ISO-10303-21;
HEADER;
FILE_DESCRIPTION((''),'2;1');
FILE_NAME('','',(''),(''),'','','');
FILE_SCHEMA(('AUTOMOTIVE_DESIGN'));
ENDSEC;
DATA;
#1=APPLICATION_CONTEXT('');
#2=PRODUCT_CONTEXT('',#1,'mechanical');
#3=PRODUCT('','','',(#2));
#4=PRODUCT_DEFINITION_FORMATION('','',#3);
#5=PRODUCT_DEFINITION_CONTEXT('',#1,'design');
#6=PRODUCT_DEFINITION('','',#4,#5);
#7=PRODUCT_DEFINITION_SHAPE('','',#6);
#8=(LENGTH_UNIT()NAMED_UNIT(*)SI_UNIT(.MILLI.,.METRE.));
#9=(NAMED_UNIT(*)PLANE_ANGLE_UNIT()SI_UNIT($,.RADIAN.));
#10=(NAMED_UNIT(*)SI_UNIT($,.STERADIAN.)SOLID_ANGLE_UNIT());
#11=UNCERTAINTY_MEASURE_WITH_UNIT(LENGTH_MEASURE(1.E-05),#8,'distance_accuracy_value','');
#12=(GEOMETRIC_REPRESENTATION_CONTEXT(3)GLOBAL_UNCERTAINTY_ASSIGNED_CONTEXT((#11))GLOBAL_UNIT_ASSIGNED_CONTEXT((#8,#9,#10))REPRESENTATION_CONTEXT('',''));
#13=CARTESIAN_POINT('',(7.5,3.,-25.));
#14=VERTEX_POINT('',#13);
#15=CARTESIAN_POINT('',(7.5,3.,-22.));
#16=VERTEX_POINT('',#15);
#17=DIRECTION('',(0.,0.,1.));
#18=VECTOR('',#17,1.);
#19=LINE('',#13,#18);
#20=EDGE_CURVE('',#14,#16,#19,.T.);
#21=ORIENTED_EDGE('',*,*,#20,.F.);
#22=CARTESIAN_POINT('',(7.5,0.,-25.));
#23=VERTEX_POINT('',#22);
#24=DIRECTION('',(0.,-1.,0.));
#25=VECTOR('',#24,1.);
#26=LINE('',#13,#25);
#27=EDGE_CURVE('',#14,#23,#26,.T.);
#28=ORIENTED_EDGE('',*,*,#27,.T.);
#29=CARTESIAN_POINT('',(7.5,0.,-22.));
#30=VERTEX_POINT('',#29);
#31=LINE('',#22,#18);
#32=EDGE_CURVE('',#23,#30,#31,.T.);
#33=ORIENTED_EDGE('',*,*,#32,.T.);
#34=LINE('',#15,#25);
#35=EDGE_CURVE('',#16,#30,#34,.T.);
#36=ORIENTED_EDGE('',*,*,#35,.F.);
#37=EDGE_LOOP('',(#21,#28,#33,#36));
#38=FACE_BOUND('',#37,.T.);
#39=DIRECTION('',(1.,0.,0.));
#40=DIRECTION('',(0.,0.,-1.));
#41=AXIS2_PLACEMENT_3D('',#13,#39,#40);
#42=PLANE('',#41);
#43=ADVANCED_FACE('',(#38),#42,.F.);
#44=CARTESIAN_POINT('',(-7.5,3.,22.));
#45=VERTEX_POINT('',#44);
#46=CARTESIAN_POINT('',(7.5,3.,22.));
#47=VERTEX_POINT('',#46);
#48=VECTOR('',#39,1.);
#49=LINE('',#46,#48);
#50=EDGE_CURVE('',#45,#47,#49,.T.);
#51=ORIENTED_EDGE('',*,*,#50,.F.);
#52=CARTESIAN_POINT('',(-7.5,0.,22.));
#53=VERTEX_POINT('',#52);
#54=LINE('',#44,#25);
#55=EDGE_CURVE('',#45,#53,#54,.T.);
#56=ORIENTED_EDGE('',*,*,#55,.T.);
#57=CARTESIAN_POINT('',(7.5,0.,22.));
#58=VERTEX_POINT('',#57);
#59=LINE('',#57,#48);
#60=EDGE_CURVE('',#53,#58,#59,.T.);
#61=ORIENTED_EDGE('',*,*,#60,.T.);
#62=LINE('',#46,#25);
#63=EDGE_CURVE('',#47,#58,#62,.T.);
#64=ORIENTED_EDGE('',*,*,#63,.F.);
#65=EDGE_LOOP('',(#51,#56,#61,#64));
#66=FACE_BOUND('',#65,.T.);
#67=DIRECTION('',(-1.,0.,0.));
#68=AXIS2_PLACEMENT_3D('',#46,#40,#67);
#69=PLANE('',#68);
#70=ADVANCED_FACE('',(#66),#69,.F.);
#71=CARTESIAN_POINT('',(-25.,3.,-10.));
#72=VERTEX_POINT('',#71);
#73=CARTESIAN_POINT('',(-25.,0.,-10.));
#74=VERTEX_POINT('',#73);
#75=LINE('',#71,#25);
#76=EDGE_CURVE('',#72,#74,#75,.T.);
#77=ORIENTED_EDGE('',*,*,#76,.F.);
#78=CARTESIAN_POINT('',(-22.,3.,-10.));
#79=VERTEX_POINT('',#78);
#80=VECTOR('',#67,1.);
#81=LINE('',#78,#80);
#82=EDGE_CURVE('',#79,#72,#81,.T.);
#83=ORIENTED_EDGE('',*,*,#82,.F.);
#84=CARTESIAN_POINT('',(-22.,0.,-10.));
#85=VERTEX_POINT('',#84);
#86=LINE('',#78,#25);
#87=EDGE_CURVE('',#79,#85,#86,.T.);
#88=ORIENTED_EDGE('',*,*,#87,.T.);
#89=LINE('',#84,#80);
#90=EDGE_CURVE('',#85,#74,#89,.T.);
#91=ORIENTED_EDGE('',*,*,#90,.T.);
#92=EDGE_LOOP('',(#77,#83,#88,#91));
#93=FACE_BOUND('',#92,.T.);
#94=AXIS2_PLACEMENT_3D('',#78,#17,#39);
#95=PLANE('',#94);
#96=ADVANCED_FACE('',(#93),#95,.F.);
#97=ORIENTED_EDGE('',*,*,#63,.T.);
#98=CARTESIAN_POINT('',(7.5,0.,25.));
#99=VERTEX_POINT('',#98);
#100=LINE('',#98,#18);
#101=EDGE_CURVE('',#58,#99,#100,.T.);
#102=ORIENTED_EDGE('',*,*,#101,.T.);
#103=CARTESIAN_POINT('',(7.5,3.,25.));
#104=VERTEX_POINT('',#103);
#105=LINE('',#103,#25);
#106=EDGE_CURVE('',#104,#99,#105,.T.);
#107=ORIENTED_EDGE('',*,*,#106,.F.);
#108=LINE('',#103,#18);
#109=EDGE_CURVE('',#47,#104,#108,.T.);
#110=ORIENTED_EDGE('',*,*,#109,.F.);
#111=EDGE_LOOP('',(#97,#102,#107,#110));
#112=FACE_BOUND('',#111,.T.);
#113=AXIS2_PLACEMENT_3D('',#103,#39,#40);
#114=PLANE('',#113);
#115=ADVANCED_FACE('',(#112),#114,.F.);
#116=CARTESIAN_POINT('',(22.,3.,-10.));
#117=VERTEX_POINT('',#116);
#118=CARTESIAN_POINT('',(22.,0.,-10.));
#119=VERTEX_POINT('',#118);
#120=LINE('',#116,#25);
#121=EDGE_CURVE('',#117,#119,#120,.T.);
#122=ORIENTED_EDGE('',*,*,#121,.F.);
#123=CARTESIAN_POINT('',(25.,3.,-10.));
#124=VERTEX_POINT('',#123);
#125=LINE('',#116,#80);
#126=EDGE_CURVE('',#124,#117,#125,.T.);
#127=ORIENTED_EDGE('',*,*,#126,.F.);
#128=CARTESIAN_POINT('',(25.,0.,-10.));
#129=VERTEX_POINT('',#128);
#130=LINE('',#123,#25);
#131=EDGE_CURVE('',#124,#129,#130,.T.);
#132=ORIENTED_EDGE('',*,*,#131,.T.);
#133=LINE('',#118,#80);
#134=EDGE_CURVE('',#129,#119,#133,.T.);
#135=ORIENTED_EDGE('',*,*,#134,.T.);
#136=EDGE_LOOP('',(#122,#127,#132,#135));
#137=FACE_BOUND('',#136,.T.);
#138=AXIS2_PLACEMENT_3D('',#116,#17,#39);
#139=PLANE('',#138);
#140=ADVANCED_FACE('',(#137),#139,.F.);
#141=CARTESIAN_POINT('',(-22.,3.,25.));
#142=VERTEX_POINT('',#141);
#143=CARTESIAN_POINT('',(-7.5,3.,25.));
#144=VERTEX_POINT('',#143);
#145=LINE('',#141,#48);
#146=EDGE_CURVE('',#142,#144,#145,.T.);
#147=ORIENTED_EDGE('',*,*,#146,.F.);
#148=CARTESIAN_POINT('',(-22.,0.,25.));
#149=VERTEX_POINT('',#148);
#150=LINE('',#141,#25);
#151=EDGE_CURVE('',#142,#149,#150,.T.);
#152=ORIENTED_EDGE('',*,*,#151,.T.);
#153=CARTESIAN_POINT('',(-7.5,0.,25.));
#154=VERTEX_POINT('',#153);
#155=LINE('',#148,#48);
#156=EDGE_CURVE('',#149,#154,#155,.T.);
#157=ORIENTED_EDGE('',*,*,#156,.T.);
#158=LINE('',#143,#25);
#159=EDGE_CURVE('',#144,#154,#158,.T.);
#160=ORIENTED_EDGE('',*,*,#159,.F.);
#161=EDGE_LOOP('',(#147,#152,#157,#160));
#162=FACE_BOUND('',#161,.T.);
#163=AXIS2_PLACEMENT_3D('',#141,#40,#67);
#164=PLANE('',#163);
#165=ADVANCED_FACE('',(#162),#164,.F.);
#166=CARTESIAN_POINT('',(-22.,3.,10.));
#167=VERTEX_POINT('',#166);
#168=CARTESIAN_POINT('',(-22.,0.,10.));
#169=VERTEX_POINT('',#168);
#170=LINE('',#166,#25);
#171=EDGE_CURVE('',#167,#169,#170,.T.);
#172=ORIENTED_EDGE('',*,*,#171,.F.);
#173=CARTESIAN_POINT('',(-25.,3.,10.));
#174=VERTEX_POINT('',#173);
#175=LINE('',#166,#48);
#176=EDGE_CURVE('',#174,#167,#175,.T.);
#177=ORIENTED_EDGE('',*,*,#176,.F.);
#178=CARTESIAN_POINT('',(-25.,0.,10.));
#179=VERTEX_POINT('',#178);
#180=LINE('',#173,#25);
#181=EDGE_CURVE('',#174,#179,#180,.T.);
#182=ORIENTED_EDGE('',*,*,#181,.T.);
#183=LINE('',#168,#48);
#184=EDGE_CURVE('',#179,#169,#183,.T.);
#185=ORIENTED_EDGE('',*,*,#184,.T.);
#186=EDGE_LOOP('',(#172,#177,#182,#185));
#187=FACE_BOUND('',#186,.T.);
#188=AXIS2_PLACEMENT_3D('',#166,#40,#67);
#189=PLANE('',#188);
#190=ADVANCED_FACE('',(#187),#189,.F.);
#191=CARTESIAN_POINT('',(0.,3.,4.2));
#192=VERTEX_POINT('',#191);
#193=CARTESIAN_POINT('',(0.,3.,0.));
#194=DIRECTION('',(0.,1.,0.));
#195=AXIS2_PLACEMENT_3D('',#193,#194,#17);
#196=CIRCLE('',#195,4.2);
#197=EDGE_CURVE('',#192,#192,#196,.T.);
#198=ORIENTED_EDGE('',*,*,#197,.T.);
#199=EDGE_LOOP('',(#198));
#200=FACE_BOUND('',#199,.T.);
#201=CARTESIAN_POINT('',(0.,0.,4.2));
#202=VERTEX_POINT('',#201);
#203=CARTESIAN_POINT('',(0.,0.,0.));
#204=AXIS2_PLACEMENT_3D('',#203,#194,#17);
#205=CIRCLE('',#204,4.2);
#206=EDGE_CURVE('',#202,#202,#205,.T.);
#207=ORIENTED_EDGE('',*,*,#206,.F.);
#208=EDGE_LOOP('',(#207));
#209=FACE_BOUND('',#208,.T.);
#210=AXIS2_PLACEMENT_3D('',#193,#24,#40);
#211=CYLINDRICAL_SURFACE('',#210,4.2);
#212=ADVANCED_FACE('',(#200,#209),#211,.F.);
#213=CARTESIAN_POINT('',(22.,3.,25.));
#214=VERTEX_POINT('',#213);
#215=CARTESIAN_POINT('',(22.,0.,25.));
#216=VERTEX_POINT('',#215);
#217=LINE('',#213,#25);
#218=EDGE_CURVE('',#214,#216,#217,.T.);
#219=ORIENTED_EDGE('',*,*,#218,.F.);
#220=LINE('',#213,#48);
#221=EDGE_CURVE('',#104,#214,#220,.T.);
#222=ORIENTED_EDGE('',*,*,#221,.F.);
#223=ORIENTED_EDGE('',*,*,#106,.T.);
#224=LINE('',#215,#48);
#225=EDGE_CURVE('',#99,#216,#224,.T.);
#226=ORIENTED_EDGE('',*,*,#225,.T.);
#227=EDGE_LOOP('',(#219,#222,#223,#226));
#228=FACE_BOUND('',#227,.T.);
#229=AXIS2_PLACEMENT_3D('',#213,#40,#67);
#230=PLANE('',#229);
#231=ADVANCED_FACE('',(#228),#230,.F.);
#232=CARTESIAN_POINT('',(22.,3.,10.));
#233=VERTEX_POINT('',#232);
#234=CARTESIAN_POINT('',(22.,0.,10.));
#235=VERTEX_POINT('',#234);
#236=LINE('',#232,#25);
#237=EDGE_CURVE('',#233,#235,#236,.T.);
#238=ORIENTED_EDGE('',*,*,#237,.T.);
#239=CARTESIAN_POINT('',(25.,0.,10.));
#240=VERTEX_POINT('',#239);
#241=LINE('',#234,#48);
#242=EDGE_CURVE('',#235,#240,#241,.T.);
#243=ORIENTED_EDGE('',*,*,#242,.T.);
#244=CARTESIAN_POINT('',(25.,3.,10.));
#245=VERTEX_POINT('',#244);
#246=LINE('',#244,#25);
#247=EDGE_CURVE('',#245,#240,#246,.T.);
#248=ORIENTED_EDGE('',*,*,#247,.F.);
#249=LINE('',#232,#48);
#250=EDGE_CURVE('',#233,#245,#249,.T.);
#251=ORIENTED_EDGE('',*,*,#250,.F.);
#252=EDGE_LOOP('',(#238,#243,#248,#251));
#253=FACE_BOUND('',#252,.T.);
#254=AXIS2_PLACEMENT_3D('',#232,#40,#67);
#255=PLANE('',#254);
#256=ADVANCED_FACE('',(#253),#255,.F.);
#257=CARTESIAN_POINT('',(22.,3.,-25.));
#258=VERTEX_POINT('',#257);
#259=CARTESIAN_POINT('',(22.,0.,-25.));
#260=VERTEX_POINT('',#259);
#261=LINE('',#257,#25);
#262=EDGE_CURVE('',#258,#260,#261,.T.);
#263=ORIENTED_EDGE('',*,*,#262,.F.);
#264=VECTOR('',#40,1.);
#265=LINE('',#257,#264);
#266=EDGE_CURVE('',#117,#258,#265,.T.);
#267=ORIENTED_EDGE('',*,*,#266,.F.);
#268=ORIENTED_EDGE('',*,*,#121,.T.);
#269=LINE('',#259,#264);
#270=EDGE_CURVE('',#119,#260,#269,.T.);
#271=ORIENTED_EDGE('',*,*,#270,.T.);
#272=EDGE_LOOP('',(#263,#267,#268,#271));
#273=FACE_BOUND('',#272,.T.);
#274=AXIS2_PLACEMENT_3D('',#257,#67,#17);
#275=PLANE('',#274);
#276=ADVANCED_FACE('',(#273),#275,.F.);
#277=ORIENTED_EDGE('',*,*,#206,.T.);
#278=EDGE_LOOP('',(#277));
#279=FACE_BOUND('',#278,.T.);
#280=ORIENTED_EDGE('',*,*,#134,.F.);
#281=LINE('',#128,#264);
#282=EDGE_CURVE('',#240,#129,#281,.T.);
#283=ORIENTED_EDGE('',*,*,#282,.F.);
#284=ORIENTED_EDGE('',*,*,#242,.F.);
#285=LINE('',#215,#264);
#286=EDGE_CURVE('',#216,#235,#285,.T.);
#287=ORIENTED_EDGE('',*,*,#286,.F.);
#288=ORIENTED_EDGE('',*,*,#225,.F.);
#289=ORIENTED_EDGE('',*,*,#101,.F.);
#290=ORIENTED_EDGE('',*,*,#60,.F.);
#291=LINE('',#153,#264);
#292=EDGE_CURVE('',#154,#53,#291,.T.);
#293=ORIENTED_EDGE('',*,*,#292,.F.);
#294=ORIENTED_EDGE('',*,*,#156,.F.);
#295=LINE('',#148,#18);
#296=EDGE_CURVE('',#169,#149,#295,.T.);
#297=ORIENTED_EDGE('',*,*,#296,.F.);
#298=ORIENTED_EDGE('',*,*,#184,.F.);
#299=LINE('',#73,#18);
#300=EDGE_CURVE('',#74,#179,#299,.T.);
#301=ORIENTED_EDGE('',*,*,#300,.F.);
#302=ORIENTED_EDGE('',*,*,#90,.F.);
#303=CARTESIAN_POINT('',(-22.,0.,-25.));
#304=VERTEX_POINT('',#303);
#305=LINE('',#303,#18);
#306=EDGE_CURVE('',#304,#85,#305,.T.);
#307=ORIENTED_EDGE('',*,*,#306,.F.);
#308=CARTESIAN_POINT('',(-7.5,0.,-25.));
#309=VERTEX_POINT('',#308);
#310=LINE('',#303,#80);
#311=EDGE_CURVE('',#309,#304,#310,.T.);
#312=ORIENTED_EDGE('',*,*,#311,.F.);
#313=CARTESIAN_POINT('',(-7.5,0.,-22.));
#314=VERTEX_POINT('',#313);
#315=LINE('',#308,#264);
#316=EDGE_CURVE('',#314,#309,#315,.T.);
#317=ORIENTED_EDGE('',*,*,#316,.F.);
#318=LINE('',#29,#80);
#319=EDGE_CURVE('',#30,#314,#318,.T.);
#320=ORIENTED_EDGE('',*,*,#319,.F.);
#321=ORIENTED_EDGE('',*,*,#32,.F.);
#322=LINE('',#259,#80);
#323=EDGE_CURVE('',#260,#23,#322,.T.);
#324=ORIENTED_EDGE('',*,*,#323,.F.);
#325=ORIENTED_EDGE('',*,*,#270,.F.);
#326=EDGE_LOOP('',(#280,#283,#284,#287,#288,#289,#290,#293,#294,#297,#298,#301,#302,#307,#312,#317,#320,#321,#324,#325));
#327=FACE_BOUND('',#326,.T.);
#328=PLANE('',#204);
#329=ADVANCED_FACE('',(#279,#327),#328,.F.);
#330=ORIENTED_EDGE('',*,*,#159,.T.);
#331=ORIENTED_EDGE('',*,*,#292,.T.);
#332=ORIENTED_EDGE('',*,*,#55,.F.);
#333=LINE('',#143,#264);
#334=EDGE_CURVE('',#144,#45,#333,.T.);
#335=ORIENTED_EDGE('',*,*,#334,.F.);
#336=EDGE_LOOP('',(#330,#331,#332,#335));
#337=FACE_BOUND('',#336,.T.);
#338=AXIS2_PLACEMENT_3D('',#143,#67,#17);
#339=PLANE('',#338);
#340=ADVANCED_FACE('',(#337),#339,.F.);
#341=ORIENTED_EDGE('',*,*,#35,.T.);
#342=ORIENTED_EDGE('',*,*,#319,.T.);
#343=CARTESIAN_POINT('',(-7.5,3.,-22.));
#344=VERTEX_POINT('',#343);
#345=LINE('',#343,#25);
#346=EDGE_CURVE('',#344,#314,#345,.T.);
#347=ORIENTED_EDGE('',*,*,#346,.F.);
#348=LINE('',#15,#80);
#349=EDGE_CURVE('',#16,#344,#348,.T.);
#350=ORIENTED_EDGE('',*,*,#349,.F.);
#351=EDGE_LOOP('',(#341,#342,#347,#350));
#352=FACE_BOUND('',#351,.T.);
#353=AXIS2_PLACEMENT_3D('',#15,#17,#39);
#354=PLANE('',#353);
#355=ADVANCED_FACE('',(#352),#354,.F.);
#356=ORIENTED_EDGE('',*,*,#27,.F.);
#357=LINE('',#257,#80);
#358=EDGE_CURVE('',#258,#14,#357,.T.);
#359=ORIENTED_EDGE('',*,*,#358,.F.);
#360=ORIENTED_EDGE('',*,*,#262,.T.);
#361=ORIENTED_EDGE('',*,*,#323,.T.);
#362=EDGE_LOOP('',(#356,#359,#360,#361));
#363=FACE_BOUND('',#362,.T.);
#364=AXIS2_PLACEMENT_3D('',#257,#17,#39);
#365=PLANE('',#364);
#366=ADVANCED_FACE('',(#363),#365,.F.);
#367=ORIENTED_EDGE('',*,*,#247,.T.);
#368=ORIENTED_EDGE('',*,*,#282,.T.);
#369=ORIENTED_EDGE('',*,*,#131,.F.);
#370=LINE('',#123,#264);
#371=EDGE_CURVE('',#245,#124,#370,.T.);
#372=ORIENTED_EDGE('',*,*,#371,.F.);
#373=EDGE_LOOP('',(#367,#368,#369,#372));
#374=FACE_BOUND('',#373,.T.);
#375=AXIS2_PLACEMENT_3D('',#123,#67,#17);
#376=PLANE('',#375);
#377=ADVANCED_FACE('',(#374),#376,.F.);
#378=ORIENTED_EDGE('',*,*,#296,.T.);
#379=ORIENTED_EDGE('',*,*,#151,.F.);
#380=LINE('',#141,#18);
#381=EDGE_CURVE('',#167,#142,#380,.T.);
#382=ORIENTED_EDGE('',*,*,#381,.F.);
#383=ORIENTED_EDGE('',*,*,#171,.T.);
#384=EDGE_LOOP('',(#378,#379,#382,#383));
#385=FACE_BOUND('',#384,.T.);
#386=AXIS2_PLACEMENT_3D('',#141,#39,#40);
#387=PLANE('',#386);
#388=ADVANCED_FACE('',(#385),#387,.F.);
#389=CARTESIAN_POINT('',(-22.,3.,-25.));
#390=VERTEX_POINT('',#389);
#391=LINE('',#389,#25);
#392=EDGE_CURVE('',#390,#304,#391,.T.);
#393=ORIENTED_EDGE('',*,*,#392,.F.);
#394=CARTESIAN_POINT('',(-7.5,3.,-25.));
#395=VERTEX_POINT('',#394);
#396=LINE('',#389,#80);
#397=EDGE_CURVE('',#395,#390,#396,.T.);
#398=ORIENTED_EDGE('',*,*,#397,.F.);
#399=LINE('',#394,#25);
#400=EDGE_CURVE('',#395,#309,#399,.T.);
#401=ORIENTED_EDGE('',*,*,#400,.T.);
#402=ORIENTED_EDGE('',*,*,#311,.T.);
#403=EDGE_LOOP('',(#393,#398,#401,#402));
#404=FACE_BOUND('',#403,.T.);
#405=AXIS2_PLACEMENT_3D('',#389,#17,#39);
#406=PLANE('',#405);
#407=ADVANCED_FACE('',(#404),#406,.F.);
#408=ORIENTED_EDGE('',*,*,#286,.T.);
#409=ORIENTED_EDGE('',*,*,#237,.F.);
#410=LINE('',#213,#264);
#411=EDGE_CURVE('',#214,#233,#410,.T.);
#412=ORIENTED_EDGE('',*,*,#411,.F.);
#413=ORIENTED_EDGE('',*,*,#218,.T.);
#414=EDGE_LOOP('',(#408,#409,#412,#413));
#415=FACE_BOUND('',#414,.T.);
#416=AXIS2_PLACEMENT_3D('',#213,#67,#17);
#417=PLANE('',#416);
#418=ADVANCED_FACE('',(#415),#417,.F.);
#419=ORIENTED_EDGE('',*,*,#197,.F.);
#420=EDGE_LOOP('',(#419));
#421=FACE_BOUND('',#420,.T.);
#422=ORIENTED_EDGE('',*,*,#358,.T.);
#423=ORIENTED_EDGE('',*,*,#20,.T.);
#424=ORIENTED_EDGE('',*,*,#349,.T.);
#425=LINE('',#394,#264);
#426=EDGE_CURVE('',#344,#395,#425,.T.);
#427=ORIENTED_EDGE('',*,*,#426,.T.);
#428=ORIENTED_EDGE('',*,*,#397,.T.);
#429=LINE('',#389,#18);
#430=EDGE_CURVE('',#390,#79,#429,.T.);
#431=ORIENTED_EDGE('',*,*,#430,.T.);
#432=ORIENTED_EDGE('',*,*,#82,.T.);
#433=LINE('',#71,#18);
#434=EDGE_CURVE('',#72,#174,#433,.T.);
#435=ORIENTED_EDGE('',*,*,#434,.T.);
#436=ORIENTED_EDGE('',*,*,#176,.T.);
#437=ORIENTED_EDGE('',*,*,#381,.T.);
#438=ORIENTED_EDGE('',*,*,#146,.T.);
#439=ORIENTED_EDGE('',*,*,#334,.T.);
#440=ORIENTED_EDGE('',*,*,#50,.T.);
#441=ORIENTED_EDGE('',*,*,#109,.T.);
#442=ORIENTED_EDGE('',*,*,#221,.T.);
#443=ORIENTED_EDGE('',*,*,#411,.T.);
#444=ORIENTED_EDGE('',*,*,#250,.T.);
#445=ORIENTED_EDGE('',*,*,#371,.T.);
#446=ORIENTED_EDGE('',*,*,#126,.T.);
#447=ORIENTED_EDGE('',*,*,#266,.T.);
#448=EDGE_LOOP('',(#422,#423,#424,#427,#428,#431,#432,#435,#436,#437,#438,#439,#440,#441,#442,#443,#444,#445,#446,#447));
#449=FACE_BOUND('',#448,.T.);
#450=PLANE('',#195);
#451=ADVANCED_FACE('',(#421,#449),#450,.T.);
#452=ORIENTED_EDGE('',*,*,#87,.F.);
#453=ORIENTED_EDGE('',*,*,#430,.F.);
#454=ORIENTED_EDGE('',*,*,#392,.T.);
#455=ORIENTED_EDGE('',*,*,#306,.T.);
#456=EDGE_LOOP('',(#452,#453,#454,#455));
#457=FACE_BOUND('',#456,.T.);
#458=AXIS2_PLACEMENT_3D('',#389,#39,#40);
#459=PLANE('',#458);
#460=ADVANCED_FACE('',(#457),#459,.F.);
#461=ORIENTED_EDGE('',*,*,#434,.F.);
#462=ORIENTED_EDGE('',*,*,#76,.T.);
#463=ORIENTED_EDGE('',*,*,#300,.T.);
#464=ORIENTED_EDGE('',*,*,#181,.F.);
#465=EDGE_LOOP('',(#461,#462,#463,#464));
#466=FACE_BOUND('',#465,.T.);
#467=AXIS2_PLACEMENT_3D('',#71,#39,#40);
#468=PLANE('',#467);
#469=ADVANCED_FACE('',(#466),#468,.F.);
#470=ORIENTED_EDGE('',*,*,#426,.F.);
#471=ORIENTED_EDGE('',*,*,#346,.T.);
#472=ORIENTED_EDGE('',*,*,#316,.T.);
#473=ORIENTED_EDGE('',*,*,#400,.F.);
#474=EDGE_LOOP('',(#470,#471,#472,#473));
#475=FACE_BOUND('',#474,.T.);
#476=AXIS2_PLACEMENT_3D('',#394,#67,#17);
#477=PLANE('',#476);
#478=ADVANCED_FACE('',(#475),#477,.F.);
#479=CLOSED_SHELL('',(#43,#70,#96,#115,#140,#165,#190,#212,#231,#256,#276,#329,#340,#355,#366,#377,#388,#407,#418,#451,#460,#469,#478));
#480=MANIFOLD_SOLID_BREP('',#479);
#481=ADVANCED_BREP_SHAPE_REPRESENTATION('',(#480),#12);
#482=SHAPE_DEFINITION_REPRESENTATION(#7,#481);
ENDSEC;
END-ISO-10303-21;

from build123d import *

# Parameters (mm, degrees)
SKETCH_1_R      = 4.2
EXTRUDE_1_DEPTH = 3


with BuildPart() as part:
    # 草图1 → 凸台-拉伸1 (new body)
    with BuildSketch(Plane(origin=(0, 0, 0), x_dir=(1, 0, 0), z_dir=(0, 1, 0))):
        Polygon((22, 25), (22, 10), (25, 10), (25, -10), (22, -10), (22, -25), (7.5, -25), (7.5, -22), (-7.5, -22), (-7.5, -25), (-22, -25), (-22, -10), (-25, -10), (-25, 10), (-22, 10), (-22, 25), (-7.5, 25), (-7.5, 22), (7.5, 22), (7.5, 25), align=None)
        Circle(SKETCH_1_R, mode=Mode.SUBTRACT)
    extrude(amount=EXTRUDE_1_DEPTH)


solid = part.part
